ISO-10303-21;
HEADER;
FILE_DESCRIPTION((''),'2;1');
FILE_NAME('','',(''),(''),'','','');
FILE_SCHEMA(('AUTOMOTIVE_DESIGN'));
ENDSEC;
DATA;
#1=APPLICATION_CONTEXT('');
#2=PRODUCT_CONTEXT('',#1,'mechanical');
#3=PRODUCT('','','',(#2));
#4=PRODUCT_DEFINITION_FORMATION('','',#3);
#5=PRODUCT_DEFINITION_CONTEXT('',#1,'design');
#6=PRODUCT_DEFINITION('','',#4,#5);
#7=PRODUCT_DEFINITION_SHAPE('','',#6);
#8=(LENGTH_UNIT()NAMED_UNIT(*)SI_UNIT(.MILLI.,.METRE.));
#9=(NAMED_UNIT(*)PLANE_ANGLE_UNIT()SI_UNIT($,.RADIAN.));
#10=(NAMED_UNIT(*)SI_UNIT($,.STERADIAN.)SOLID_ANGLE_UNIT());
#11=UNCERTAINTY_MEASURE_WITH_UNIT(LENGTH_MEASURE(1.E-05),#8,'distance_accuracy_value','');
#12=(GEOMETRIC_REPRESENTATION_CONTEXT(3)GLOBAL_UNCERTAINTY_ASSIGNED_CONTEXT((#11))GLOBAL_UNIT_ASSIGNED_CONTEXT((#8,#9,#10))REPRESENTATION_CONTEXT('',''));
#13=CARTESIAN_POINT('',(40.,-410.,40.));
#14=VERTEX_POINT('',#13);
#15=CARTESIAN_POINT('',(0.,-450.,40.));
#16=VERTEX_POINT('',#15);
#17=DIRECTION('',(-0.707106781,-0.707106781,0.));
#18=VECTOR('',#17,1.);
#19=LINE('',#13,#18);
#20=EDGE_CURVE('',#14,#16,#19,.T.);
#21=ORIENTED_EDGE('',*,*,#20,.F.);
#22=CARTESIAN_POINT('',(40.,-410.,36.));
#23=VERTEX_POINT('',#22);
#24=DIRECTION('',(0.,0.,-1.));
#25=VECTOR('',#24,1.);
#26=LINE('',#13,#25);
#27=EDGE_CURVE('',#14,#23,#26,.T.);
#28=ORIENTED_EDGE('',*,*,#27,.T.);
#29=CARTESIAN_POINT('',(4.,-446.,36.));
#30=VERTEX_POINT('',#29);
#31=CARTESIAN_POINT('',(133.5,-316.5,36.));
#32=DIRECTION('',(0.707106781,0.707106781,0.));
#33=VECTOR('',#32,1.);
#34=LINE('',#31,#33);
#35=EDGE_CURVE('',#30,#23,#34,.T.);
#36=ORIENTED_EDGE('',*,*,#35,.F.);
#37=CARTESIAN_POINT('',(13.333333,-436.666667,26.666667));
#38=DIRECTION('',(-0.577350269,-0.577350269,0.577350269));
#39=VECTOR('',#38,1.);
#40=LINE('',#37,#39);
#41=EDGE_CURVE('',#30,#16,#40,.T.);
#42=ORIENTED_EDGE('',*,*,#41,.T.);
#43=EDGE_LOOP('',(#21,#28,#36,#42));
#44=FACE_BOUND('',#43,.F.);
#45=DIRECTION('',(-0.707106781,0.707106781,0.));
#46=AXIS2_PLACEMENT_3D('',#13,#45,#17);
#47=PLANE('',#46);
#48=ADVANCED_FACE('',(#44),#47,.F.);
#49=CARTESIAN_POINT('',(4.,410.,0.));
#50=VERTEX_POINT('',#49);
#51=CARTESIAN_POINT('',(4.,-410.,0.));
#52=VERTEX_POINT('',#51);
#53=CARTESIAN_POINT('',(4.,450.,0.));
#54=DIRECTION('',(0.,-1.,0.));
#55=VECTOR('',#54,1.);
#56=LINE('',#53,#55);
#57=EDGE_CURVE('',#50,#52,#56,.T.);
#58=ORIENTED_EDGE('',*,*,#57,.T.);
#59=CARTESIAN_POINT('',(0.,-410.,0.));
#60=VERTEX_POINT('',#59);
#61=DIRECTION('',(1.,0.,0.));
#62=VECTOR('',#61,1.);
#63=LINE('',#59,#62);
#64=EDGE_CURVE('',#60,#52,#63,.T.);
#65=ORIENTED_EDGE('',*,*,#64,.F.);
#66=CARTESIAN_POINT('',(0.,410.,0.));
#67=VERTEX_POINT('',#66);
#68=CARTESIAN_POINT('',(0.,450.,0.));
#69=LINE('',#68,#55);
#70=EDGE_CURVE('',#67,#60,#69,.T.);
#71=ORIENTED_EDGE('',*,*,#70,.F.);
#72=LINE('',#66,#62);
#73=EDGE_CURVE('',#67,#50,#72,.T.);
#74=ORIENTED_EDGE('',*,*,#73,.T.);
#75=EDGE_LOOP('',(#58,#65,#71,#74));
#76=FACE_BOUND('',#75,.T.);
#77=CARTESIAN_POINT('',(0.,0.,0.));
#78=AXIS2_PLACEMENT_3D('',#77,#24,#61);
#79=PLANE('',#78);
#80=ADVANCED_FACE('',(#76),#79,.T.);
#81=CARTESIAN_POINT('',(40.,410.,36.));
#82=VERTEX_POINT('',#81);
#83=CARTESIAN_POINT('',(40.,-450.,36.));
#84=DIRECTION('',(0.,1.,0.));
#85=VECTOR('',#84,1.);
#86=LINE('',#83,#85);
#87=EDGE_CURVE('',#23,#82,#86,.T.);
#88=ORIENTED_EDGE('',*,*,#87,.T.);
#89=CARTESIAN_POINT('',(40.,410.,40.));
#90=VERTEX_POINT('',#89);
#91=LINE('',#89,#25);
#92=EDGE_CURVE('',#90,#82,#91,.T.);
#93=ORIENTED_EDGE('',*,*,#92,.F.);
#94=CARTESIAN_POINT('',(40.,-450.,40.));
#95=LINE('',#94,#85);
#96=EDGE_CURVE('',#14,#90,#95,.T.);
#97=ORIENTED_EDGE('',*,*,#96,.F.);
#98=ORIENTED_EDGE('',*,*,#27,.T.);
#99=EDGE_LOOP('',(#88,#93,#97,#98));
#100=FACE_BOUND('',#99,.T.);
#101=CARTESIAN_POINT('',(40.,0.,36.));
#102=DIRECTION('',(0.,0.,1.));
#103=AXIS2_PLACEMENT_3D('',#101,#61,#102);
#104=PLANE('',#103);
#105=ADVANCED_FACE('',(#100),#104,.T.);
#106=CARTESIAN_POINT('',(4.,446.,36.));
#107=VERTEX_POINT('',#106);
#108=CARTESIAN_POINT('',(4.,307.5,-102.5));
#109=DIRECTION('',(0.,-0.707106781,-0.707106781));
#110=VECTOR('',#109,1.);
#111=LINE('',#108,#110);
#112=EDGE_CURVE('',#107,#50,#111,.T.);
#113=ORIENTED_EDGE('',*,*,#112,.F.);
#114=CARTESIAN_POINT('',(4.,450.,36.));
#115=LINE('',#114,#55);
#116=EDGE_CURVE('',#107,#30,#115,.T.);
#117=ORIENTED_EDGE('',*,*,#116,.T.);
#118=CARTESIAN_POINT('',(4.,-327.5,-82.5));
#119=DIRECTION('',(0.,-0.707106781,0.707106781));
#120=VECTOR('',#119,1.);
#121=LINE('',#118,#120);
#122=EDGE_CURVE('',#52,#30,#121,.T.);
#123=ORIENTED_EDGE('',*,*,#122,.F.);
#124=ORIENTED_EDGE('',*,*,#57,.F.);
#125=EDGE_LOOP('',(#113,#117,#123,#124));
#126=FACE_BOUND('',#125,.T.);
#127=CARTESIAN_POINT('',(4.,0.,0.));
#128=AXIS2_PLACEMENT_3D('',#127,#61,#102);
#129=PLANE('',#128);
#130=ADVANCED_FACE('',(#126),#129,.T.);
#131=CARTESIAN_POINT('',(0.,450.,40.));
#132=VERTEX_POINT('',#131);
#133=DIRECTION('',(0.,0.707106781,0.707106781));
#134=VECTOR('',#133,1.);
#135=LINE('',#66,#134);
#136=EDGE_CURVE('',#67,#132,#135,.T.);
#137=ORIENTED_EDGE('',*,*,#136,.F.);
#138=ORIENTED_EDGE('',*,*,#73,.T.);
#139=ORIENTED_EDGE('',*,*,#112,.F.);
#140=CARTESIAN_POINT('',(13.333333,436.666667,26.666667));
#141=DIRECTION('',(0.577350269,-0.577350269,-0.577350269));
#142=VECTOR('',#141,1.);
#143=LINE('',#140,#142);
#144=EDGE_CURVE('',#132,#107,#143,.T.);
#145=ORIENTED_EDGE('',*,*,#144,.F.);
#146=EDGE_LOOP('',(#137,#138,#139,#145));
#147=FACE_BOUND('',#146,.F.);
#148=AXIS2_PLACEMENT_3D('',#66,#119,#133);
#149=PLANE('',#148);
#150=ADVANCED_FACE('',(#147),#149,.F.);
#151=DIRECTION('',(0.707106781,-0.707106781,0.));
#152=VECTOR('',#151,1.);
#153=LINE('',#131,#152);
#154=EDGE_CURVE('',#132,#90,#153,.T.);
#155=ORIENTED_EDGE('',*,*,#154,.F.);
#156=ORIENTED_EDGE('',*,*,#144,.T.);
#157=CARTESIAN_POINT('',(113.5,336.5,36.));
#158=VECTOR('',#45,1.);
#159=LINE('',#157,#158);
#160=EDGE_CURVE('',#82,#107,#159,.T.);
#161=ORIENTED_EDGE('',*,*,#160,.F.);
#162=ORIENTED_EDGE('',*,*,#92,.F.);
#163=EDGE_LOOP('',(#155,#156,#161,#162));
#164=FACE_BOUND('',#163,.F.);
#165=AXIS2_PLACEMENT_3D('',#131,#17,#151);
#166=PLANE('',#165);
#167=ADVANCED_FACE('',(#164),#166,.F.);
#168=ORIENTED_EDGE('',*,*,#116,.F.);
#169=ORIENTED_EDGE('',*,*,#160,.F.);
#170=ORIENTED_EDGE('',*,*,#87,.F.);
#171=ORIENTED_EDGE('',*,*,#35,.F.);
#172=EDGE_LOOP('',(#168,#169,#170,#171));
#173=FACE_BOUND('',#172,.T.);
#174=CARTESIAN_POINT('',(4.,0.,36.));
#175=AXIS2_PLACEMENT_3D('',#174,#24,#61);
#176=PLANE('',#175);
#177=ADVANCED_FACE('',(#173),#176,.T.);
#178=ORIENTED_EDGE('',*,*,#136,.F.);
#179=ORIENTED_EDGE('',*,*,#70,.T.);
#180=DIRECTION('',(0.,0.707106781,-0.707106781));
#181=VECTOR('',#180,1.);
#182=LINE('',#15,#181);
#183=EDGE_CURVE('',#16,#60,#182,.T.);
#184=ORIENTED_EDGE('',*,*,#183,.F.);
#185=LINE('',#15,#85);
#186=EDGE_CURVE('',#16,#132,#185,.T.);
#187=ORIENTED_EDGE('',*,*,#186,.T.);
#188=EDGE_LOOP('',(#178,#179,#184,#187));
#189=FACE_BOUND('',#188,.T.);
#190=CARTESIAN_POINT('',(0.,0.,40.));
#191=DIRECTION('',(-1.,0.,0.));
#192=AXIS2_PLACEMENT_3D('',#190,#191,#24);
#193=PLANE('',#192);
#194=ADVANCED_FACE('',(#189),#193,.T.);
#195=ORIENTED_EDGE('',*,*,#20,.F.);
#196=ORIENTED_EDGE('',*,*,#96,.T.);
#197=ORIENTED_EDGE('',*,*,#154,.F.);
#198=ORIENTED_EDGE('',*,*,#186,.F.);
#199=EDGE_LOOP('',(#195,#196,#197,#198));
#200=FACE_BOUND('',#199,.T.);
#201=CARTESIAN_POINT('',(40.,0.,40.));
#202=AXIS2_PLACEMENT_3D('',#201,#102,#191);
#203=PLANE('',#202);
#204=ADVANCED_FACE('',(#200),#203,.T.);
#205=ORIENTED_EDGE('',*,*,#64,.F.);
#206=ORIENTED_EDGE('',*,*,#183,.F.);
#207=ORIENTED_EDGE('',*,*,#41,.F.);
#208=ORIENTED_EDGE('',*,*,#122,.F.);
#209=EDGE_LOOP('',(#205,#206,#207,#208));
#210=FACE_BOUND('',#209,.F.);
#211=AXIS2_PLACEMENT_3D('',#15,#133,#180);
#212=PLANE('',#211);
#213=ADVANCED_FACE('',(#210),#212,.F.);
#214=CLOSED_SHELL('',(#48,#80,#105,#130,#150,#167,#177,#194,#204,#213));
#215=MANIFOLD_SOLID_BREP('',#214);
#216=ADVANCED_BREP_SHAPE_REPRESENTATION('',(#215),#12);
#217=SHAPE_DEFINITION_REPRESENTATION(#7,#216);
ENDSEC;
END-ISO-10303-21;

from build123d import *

# Parameters (mm, degrees)
F1_DEPTH = 450
F3_DEPTH = 40
F5_DEPTH = 40


with BuildPart() as f1:
    # F0 (on Front) → F1 (new body, symmetric)
    with BuildSketch(Plane.XZ):
        Polygon((0, 40), (0, 0), (4, 0), (4, 36), (40, 36), (40, 40), align=None)
    extrude(amount=F1_DEPTH, both=True)

    # F2 (on face) → F3 (cut)
    with BuildSketch(Plane(origin=(0, 0, 0), x_dir=(0, -1, 0), z_dir=(-1, 0, 0))):
        Polygon((-410, 0), (-450, 40), (-450, 0), align=None)
        Polygon((450, 0), (450, 40), (410, 0), align=None)
    extrude(amount=-F3_DEPTH, mode=Mode.SUBTRACT)

    # F4 (on face) → F5 (cut)
    with BuildSketch(Plane.XY.offset(40)):
        Polygon((40, 450), (0, 450), (40, 410), align=None)
        Polygon((40, -410), (0, -450), (40, -450), align=None)
    extrude(amount=-F5_DEPTH, mode=Mode.SUBTRACT)


solid = f1.part
